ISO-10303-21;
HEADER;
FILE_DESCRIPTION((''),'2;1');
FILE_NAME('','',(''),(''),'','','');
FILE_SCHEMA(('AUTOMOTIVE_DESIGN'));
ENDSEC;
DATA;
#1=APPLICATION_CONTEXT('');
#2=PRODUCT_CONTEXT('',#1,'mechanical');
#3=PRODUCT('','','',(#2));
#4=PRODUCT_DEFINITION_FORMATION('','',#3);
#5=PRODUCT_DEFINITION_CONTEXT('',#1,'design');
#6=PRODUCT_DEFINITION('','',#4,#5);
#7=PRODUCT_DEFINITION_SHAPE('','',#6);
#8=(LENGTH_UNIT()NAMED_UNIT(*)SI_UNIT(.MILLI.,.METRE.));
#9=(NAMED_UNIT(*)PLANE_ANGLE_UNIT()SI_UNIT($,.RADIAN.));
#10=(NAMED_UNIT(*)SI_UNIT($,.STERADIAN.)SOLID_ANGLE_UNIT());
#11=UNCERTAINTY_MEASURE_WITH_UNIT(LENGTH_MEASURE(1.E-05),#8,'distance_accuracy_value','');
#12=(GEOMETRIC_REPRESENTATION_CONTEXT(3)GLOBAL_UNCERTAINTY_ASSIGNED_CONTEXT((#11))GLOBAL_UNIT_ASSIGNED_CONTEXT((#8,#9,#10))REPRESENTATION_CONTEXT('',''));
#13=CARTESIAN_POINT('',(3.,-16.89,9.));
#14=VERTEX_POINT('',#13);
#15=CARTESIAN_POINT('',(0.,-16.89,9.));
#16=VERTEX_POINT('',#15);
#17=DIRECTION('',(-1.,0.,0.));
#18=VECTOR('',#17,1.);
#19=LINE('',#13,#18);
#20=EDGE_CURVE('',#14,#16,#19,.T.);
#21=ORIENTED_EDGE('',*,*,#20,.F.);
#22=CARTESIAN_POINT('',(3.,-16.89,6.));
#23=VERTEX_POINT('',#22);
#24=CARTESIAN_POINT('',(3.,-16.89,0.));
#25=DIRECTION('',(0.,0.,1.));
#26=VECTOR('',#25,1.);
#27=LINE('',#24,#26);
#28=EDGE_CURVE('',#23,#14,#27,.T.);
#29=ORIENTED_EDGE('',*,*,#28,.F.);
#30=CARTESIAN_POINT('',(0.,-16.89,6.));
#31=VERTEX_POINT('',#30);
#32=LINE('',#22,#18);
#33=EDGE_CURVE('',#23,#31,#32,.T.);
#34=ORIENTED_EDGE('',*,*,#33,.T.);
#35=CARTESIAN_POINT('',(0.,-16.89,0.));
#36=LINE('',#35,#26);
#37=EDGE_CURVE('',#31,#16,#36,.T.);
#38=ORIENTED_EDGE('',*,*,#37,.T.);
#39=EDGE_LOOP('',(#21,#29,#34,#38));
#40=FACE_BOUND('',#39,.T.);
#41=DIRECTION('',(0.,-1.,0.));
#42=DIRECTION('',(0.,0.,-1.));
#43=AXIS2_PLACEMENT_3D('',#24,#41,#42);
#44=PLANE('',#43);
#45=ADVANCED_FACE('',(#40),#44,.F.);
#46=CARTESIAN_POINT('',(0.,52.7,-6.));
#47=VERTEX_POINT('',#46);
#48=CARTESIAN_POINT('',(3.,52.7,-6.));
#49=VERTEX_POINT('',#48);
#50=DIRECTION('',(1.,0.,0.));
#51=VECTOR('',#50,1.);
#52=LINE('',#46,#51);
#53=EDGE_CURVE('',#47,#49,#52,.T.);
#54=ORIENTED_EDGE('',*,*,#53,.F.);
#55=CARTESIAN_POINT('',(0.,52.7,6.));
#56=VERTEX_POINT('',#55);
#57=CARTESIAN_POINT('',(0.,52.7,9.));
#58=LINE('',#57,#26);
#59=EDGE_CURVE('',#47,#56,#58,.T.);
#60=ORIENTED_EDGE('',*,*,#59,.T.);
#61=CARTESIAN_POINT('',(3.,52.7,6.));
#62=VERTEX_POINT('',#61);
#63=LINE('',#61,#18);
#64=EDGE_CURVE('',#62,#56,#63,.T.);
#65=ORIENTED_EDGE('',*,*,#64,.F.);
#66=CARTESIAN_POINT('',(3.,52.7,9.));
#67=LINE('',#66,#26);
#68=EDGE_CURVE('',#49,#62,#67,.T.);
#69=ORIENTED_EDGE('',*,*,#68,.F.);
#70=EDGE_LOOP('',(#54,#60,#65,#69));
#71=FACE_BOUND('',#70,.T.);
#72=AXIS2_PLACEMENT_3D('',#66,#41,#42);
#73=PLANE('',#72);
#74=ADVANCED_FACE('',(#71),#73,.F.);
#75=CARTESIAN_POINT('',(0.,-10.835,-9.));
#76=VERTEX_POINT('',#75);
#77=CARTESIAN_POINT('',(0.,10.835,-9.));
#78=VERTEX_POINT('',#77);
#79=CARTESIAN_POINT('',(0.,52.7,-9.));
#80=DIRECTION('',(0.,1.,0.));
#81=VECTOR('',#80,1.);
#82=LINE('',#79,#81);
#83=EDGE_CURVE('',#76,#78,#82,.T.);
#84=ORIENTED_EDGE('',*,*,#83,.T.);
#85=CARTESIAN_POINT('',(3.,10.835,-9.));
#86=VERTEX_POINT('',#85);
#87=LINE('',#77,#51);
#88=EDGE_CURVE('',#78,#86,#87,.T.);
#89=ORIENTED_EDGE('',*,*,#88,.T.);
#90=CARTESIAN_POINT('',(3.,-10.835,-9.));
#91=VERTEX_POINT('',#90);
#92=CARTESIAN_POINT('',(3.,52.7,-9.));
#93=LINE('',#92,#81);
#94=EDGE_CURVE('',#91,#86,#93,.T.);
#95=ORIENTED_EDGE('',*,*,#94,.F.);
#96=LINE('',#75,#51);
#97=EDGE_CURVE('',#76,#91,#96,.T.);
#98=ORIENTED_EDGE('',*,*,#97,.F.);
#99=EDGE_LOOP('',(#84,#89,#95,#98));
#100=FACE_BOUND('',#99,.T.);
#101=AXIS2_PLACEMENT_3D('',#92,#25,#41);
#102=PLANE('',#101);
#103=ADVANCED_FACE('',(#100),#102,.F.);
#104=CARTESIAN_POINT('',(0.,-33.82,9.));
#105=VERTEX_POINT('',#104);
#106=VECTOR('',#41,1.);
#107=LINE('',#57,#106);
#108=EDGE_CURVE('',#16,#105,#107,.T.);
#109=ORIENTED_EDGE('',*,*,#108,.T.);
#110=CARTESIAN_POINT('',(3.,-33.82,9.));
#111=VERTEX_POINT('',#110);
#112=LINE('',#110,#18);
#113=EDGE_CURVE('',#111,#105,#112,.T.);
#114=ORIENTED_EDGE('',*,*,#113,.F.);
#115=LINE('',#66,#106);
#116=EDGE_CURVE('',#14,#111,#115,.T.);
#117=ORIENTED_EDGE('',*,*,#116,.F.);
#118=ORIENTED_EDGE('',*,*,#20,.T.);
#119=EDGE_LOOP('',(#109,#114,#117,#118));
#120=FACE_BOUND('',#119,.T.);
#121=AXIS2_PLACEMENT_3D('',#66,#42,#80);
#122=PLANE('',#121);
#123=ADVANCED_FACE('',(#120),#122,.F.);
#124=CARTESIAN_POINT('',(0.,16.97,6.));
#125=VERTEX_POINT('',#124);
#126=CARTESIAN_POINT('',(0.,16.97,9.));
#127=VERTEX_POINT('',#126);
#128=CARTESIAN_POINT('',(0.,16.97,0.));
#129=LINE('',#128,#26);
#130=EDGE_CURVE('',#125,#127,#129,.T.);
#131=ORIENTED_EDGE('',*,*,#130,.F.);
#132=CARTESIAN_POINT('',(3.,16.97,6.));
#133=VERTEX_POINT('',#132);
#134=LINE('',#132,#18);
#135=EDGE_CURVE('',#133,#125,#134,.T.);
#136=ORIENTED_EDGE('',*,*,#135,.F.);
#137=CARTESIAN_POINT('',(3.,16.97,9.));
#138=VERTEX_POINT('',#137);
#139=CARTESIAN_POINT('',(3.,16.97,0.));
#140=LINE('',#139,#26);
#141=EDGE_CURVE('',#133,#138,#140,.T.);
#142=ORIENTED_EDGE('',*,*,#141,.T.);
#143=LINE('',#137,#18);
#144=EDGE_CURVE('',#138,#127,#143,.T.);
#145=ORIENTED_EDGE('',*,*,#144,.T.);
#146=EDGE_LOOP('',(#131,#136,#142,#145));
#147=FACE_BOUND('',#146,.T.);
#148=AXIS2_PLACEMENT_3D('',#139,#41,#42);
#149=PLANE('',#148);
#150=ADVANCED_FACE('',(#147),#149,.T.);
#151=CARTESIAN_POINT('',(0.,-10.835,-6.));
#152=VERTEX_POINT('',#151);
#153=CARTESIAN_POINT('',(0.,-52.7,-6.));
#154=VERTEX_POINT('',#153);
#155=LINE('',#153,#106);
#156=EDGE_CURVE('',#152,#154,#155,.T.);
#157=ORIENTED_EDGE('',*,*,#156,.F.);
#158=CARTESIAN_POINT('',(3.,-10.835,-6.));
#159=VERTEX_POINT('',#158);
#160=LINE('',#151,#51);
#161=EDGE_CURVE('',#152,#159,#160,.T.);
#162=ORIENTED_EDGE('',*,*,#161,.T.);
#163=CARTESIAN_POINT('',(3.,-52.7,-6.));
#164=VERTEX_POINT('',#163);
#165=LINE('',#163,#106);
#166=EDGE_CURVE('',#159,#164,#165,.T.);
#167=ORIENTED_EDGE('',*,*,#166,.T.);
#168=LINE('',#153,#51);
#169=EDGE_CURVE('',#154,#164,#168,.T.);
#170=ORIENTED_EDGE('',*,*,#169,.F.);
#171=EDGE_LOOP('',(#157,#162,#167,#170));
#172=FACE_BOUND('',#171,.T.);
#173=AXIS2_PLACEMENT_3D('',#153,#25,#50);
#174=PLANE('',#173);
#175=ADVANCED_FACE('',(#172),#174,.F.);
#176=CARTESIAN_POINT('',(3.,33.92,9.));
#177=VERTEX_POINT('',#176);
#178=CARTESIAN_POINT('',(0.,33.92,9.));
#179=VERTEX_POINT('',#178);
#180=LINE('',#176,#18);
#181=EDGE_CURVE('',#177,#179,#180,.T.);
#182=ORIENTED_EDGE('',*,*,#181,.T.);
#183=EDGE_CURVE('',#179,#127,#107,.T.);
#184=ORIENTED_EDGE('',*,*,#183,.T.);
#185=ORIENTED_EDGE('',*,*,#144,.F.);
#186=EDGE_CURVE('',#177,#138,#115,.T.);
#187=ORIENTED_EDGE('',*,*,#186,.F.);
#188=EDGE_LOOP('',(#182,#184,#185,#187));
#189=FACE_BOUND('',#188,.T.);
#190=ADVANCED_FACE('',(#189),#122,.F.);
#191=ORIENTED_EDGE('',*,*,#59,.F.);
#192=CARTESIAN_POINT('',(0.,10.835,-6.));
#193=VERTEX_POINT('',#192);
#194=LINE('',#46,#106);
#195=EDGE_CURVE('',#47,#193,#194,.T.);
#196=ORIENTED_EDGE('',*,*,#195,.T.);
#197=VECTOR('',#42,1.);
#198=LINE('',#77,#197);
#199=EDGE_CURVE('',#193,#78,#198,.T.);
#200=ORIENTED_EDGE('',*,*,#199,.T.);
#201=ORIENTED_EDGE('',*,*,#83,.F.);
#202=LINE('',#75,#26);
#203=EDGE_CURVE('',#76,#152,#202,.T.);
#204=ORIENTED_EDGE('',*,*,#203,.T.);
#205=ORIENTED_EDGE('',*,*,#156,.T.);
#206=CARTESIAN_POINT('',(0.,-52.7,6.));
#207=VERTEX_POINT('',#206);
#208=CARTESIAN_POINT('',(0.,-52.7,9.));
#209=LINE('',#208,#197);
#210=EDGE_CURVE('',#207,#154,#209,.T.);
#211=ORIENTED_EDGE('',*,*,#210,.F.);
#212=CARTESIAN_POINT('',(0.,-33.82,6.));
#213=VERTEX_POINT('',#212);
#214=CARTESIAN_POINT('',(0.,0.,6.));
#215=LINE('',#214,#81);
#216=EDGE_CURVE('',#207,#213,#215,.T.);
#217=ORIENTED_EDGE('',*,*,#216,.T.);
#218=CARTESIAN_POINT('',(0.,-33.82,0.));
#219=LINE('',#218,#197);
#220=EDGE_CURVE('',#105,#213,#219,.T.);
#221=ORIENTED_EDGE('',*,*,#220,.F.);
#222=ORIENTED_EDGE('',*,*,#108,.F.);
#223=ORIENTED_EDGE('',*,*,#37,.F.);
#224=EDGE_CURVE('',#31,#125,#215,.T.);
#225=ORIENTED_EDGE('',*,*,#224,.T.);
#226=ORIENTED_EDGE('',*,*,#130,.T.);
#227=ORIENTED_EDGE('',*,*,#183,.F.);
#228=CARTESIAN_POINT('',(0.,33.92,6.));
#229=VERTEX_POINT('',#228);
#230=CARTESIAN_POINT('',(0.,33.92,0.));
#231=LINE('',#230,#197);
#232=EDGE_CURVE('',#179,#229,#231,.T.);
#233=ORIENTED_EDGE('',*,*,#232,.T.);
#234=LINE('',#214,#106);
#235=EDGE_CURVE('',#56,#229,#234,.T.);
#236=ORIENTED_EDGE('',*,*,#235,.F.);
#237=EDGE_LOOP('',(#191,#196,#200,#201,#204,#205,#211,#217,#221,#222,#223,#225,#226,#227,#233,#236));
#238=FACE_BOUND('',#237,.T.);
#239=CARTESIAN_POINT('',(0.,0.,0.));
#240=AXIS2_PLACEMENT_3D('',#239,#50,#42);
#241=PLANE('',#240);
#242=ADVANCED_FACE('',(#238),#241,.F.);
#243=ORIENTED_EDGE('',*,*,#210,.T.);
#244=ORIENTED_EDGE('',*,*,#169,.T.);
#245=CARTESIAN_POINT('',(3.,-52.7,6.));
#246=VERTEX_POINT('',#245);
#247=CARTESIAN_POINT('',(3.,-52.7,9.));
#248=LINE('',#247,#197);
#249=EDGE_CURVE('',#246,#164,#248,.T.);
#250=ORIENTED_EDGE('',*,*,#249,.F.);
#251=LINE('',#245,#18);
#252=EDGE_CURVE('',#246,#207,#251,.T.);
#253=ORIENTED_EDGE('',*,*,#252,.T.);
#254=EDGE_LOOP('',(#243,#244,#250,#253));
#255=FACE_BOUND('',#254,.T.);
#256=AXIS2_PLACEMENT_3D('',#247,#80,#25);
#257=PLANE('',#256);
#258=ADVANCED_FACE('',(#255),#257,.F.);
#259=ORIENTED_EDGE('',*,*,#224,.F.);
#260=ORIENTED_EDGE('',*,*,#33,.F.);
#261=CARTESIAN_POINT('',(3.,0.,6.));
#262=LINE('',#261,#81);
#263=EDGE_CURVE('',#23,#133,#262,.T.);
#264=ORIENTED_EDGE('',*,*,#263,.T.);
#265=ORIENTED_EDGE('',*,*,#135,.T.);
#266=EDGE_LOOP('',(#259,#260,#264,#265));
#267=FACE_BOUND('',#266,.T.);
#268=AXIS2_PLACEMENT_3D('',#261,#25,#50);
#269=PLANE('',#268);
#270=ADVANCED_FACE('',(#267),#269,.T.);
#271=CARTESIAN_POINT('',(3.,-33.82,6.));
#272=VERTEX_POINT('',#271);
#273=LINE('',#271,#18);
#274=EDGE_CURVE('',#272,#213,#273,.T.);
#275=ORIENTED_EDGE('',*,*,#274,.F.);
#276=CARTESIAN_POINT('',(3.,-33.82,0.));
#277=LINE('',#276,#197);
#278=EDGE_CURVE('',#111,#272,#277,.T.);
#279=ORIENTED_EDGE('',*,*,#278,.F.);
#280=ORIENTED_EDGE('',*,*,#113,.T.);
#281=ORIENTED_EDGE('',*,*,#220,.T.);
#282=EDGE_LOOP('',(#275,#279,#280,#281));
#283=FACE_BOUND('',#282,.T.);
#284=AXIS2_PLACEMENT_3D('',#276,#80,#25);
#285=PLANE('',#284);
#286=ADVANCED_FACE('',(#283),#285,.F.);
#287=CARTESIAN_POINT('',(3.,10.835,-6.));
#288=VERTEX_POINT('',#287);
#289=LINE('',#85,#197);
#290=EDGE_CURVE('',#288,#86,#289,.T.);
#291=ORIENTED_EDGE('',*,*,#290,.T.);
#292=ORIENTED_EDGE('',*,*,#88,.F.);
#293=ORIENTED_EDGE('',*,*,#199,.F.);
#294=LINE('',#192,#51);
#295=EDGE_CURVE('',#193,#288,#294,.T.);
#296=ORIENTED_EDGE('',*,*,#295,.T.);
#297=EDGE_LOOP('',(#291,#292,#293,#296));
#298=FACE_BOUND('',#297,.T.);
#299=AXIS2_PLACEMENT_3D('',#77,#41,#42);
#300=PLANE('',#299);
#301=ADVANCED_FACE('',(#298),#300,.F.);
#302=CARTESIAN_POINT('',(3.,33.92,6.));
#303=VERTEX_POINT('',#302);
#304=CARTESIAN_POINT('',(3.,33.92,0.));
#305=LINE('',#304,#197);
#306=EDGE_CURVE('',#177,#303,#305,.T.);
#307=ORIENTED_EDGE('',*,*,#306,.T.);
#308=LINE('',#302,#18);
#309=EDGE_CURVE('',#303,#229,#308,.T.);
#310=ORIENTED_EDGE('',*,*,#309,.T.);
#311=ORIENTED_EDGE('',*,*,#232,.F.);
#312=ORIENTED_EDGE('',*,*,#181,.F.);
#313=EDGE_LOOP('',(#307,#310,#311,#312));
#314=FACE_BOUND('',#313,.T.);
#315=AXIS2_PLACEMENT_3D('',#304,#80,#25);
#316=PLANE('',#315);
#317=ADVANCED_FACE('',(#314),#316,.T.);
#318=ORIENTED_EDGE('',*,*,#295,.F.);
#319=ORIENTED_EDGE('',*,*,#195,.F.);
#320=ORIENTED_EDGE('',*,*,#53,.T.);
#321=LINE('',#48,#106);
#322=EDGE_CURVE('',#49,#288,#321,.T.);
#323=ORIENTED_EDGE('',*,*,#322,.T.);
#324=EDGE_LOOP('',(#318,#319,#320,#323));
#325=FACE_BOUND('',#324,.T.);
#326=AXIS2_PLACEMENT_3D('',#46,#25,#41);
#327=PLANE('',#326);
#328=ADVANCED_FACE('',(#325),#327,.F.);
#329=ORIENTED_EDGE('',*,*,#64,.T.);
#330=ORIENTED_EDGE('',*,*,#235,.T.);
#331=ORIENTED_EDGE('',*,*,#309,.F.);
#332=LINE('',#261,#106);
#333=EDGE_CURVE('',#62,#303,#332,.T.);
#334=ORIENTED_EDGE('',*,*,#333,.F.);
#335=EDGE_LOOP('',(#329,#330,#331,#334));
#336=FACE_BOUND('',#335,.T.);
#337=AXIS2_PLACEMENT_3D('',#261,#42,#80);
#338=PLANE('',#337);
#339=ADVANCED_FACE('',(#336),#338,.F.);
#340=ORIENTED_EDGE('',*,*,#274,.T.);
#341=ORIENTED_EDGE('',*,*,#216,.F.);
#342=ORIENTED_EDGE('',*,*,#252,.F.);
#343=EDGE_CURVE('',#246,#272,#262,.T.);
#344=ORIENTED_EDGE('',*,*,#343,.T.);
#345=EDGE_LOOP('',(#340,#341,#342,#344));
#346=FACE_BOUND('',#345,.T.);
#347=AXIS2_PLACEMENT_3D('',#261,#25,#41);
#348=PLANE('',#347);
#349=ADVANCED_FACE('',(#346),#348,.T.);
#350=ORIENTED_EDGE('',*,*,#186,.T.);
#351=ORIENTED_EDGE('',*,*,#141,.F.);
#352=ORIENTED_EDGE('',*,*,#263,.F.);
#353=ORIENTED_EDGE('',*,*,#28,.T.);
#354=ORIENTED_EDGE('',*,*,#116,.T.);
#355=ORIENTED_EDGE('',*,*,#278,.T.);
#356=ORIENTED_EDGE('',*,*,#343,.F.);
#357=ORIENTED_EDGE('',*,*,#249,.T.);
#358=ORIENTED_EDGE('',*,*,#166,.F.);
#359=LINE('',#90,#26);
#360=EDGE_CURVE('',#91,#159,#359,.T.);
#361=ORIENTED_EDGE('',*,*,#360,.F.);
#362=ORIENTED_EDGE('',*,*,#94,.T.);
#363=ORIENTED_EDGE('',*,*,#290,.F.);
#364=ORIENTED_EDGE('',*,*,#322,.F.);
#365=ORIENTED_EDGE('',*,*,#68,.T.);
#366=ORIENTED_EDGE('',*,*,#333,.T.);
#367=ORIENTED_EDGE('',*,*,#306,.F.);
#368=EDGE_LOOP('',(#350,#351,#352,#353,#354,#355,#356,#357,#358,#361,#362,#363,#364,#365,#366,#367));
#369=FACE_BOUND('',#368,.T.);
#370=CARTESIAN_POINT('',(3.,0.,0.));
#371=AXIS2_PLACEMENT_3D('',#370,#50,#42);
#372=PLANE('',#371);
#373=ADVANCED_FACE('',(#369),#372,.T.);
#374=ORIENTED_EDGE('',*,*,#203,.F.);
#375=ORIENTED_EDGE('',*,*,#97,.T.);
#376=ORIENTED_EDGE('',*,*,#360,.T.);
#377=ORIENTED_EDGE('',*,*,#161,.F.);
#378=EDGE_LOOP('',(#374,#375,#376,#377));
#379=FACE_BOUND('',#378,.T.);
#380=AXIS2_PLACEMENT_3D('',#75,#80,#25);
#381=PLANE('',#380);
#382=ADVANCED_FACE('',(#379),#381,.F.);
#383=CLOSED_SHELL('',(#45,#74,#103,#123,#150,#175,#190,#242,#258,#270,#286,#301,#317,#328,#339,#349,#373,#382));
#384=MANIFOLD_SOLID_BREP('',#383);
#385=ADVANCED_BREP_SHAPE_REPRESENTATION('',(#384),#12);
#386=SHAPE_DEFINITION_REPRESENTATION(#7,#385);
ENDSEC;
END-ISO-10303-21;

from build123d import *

# Parameters (mm, degrees)
SKETCH1_W           = 18
SKETCH1_H           = 105.4
BOSS_EXTRUDE1_DEPTH = 3
SKETCH3_W           = 3
SKETCH3_H           = 41.865
CUT_EXTRUDE2_DEPTH  = 3
SKETCH5_W           = 3
SKETCH5_H           = 18.88
SKETCH5_H_2         = 33.86
SKETCH5_H_3         = 18.78
CUT_EXTRUDE5_DEPTH  = 3


with BuildPart() as part:
    # Sketch1 → Boss-Extrude1 (new body)
    with BuildSketch(Plane(origin=(0, 0, 0), x_dir=(0, 0, -1), z_dir=(1, 0, 0))):
        Rectangle(SKETCH1_W, SKETCH1_H)
    extrude(amount=BOSS_EXTRUDE1_DEPTH)

    # Sketch3 → Cut-Extrude2 (cut)
    with BuildSketch(Plane(origin=(3, 0, 0), x_dir=(0, 0, -1), z_dir=(1, 0, 0))):
        with Locations((7.5, -31.7675)):
            Rectangle(SKETCH3_W, SKETCH3_H)
        with Locations((7.5, 31.7675)):
            Rectangle(SKETCH3_W, SKETCH3_H)
    extrude(amount=-CUT_EXTRUDE2_DEPTH, mode=Mode.SUBTRACT)

    # Sketch5 → Cut-Extrude5 (cut)
    with BuildSketch(Plane.ZY):
        with Locations((7.5, -43.26)):
            Rectangle(SKETCH5_W, SKETCH5_H)
        with Locations((7.5, 0.04)):
            Rectangle(SKETCH5_W, SKETCH5_H_2)
        with Locations((7.5, 43.31)):
            Rectangle(SKETCH5_W, SKETCH5_H_3)
    extrude(amount=-CUT_EXTRUDE5_DEPTH, mode=Mode.SUBTRACT)


solid = part.part
